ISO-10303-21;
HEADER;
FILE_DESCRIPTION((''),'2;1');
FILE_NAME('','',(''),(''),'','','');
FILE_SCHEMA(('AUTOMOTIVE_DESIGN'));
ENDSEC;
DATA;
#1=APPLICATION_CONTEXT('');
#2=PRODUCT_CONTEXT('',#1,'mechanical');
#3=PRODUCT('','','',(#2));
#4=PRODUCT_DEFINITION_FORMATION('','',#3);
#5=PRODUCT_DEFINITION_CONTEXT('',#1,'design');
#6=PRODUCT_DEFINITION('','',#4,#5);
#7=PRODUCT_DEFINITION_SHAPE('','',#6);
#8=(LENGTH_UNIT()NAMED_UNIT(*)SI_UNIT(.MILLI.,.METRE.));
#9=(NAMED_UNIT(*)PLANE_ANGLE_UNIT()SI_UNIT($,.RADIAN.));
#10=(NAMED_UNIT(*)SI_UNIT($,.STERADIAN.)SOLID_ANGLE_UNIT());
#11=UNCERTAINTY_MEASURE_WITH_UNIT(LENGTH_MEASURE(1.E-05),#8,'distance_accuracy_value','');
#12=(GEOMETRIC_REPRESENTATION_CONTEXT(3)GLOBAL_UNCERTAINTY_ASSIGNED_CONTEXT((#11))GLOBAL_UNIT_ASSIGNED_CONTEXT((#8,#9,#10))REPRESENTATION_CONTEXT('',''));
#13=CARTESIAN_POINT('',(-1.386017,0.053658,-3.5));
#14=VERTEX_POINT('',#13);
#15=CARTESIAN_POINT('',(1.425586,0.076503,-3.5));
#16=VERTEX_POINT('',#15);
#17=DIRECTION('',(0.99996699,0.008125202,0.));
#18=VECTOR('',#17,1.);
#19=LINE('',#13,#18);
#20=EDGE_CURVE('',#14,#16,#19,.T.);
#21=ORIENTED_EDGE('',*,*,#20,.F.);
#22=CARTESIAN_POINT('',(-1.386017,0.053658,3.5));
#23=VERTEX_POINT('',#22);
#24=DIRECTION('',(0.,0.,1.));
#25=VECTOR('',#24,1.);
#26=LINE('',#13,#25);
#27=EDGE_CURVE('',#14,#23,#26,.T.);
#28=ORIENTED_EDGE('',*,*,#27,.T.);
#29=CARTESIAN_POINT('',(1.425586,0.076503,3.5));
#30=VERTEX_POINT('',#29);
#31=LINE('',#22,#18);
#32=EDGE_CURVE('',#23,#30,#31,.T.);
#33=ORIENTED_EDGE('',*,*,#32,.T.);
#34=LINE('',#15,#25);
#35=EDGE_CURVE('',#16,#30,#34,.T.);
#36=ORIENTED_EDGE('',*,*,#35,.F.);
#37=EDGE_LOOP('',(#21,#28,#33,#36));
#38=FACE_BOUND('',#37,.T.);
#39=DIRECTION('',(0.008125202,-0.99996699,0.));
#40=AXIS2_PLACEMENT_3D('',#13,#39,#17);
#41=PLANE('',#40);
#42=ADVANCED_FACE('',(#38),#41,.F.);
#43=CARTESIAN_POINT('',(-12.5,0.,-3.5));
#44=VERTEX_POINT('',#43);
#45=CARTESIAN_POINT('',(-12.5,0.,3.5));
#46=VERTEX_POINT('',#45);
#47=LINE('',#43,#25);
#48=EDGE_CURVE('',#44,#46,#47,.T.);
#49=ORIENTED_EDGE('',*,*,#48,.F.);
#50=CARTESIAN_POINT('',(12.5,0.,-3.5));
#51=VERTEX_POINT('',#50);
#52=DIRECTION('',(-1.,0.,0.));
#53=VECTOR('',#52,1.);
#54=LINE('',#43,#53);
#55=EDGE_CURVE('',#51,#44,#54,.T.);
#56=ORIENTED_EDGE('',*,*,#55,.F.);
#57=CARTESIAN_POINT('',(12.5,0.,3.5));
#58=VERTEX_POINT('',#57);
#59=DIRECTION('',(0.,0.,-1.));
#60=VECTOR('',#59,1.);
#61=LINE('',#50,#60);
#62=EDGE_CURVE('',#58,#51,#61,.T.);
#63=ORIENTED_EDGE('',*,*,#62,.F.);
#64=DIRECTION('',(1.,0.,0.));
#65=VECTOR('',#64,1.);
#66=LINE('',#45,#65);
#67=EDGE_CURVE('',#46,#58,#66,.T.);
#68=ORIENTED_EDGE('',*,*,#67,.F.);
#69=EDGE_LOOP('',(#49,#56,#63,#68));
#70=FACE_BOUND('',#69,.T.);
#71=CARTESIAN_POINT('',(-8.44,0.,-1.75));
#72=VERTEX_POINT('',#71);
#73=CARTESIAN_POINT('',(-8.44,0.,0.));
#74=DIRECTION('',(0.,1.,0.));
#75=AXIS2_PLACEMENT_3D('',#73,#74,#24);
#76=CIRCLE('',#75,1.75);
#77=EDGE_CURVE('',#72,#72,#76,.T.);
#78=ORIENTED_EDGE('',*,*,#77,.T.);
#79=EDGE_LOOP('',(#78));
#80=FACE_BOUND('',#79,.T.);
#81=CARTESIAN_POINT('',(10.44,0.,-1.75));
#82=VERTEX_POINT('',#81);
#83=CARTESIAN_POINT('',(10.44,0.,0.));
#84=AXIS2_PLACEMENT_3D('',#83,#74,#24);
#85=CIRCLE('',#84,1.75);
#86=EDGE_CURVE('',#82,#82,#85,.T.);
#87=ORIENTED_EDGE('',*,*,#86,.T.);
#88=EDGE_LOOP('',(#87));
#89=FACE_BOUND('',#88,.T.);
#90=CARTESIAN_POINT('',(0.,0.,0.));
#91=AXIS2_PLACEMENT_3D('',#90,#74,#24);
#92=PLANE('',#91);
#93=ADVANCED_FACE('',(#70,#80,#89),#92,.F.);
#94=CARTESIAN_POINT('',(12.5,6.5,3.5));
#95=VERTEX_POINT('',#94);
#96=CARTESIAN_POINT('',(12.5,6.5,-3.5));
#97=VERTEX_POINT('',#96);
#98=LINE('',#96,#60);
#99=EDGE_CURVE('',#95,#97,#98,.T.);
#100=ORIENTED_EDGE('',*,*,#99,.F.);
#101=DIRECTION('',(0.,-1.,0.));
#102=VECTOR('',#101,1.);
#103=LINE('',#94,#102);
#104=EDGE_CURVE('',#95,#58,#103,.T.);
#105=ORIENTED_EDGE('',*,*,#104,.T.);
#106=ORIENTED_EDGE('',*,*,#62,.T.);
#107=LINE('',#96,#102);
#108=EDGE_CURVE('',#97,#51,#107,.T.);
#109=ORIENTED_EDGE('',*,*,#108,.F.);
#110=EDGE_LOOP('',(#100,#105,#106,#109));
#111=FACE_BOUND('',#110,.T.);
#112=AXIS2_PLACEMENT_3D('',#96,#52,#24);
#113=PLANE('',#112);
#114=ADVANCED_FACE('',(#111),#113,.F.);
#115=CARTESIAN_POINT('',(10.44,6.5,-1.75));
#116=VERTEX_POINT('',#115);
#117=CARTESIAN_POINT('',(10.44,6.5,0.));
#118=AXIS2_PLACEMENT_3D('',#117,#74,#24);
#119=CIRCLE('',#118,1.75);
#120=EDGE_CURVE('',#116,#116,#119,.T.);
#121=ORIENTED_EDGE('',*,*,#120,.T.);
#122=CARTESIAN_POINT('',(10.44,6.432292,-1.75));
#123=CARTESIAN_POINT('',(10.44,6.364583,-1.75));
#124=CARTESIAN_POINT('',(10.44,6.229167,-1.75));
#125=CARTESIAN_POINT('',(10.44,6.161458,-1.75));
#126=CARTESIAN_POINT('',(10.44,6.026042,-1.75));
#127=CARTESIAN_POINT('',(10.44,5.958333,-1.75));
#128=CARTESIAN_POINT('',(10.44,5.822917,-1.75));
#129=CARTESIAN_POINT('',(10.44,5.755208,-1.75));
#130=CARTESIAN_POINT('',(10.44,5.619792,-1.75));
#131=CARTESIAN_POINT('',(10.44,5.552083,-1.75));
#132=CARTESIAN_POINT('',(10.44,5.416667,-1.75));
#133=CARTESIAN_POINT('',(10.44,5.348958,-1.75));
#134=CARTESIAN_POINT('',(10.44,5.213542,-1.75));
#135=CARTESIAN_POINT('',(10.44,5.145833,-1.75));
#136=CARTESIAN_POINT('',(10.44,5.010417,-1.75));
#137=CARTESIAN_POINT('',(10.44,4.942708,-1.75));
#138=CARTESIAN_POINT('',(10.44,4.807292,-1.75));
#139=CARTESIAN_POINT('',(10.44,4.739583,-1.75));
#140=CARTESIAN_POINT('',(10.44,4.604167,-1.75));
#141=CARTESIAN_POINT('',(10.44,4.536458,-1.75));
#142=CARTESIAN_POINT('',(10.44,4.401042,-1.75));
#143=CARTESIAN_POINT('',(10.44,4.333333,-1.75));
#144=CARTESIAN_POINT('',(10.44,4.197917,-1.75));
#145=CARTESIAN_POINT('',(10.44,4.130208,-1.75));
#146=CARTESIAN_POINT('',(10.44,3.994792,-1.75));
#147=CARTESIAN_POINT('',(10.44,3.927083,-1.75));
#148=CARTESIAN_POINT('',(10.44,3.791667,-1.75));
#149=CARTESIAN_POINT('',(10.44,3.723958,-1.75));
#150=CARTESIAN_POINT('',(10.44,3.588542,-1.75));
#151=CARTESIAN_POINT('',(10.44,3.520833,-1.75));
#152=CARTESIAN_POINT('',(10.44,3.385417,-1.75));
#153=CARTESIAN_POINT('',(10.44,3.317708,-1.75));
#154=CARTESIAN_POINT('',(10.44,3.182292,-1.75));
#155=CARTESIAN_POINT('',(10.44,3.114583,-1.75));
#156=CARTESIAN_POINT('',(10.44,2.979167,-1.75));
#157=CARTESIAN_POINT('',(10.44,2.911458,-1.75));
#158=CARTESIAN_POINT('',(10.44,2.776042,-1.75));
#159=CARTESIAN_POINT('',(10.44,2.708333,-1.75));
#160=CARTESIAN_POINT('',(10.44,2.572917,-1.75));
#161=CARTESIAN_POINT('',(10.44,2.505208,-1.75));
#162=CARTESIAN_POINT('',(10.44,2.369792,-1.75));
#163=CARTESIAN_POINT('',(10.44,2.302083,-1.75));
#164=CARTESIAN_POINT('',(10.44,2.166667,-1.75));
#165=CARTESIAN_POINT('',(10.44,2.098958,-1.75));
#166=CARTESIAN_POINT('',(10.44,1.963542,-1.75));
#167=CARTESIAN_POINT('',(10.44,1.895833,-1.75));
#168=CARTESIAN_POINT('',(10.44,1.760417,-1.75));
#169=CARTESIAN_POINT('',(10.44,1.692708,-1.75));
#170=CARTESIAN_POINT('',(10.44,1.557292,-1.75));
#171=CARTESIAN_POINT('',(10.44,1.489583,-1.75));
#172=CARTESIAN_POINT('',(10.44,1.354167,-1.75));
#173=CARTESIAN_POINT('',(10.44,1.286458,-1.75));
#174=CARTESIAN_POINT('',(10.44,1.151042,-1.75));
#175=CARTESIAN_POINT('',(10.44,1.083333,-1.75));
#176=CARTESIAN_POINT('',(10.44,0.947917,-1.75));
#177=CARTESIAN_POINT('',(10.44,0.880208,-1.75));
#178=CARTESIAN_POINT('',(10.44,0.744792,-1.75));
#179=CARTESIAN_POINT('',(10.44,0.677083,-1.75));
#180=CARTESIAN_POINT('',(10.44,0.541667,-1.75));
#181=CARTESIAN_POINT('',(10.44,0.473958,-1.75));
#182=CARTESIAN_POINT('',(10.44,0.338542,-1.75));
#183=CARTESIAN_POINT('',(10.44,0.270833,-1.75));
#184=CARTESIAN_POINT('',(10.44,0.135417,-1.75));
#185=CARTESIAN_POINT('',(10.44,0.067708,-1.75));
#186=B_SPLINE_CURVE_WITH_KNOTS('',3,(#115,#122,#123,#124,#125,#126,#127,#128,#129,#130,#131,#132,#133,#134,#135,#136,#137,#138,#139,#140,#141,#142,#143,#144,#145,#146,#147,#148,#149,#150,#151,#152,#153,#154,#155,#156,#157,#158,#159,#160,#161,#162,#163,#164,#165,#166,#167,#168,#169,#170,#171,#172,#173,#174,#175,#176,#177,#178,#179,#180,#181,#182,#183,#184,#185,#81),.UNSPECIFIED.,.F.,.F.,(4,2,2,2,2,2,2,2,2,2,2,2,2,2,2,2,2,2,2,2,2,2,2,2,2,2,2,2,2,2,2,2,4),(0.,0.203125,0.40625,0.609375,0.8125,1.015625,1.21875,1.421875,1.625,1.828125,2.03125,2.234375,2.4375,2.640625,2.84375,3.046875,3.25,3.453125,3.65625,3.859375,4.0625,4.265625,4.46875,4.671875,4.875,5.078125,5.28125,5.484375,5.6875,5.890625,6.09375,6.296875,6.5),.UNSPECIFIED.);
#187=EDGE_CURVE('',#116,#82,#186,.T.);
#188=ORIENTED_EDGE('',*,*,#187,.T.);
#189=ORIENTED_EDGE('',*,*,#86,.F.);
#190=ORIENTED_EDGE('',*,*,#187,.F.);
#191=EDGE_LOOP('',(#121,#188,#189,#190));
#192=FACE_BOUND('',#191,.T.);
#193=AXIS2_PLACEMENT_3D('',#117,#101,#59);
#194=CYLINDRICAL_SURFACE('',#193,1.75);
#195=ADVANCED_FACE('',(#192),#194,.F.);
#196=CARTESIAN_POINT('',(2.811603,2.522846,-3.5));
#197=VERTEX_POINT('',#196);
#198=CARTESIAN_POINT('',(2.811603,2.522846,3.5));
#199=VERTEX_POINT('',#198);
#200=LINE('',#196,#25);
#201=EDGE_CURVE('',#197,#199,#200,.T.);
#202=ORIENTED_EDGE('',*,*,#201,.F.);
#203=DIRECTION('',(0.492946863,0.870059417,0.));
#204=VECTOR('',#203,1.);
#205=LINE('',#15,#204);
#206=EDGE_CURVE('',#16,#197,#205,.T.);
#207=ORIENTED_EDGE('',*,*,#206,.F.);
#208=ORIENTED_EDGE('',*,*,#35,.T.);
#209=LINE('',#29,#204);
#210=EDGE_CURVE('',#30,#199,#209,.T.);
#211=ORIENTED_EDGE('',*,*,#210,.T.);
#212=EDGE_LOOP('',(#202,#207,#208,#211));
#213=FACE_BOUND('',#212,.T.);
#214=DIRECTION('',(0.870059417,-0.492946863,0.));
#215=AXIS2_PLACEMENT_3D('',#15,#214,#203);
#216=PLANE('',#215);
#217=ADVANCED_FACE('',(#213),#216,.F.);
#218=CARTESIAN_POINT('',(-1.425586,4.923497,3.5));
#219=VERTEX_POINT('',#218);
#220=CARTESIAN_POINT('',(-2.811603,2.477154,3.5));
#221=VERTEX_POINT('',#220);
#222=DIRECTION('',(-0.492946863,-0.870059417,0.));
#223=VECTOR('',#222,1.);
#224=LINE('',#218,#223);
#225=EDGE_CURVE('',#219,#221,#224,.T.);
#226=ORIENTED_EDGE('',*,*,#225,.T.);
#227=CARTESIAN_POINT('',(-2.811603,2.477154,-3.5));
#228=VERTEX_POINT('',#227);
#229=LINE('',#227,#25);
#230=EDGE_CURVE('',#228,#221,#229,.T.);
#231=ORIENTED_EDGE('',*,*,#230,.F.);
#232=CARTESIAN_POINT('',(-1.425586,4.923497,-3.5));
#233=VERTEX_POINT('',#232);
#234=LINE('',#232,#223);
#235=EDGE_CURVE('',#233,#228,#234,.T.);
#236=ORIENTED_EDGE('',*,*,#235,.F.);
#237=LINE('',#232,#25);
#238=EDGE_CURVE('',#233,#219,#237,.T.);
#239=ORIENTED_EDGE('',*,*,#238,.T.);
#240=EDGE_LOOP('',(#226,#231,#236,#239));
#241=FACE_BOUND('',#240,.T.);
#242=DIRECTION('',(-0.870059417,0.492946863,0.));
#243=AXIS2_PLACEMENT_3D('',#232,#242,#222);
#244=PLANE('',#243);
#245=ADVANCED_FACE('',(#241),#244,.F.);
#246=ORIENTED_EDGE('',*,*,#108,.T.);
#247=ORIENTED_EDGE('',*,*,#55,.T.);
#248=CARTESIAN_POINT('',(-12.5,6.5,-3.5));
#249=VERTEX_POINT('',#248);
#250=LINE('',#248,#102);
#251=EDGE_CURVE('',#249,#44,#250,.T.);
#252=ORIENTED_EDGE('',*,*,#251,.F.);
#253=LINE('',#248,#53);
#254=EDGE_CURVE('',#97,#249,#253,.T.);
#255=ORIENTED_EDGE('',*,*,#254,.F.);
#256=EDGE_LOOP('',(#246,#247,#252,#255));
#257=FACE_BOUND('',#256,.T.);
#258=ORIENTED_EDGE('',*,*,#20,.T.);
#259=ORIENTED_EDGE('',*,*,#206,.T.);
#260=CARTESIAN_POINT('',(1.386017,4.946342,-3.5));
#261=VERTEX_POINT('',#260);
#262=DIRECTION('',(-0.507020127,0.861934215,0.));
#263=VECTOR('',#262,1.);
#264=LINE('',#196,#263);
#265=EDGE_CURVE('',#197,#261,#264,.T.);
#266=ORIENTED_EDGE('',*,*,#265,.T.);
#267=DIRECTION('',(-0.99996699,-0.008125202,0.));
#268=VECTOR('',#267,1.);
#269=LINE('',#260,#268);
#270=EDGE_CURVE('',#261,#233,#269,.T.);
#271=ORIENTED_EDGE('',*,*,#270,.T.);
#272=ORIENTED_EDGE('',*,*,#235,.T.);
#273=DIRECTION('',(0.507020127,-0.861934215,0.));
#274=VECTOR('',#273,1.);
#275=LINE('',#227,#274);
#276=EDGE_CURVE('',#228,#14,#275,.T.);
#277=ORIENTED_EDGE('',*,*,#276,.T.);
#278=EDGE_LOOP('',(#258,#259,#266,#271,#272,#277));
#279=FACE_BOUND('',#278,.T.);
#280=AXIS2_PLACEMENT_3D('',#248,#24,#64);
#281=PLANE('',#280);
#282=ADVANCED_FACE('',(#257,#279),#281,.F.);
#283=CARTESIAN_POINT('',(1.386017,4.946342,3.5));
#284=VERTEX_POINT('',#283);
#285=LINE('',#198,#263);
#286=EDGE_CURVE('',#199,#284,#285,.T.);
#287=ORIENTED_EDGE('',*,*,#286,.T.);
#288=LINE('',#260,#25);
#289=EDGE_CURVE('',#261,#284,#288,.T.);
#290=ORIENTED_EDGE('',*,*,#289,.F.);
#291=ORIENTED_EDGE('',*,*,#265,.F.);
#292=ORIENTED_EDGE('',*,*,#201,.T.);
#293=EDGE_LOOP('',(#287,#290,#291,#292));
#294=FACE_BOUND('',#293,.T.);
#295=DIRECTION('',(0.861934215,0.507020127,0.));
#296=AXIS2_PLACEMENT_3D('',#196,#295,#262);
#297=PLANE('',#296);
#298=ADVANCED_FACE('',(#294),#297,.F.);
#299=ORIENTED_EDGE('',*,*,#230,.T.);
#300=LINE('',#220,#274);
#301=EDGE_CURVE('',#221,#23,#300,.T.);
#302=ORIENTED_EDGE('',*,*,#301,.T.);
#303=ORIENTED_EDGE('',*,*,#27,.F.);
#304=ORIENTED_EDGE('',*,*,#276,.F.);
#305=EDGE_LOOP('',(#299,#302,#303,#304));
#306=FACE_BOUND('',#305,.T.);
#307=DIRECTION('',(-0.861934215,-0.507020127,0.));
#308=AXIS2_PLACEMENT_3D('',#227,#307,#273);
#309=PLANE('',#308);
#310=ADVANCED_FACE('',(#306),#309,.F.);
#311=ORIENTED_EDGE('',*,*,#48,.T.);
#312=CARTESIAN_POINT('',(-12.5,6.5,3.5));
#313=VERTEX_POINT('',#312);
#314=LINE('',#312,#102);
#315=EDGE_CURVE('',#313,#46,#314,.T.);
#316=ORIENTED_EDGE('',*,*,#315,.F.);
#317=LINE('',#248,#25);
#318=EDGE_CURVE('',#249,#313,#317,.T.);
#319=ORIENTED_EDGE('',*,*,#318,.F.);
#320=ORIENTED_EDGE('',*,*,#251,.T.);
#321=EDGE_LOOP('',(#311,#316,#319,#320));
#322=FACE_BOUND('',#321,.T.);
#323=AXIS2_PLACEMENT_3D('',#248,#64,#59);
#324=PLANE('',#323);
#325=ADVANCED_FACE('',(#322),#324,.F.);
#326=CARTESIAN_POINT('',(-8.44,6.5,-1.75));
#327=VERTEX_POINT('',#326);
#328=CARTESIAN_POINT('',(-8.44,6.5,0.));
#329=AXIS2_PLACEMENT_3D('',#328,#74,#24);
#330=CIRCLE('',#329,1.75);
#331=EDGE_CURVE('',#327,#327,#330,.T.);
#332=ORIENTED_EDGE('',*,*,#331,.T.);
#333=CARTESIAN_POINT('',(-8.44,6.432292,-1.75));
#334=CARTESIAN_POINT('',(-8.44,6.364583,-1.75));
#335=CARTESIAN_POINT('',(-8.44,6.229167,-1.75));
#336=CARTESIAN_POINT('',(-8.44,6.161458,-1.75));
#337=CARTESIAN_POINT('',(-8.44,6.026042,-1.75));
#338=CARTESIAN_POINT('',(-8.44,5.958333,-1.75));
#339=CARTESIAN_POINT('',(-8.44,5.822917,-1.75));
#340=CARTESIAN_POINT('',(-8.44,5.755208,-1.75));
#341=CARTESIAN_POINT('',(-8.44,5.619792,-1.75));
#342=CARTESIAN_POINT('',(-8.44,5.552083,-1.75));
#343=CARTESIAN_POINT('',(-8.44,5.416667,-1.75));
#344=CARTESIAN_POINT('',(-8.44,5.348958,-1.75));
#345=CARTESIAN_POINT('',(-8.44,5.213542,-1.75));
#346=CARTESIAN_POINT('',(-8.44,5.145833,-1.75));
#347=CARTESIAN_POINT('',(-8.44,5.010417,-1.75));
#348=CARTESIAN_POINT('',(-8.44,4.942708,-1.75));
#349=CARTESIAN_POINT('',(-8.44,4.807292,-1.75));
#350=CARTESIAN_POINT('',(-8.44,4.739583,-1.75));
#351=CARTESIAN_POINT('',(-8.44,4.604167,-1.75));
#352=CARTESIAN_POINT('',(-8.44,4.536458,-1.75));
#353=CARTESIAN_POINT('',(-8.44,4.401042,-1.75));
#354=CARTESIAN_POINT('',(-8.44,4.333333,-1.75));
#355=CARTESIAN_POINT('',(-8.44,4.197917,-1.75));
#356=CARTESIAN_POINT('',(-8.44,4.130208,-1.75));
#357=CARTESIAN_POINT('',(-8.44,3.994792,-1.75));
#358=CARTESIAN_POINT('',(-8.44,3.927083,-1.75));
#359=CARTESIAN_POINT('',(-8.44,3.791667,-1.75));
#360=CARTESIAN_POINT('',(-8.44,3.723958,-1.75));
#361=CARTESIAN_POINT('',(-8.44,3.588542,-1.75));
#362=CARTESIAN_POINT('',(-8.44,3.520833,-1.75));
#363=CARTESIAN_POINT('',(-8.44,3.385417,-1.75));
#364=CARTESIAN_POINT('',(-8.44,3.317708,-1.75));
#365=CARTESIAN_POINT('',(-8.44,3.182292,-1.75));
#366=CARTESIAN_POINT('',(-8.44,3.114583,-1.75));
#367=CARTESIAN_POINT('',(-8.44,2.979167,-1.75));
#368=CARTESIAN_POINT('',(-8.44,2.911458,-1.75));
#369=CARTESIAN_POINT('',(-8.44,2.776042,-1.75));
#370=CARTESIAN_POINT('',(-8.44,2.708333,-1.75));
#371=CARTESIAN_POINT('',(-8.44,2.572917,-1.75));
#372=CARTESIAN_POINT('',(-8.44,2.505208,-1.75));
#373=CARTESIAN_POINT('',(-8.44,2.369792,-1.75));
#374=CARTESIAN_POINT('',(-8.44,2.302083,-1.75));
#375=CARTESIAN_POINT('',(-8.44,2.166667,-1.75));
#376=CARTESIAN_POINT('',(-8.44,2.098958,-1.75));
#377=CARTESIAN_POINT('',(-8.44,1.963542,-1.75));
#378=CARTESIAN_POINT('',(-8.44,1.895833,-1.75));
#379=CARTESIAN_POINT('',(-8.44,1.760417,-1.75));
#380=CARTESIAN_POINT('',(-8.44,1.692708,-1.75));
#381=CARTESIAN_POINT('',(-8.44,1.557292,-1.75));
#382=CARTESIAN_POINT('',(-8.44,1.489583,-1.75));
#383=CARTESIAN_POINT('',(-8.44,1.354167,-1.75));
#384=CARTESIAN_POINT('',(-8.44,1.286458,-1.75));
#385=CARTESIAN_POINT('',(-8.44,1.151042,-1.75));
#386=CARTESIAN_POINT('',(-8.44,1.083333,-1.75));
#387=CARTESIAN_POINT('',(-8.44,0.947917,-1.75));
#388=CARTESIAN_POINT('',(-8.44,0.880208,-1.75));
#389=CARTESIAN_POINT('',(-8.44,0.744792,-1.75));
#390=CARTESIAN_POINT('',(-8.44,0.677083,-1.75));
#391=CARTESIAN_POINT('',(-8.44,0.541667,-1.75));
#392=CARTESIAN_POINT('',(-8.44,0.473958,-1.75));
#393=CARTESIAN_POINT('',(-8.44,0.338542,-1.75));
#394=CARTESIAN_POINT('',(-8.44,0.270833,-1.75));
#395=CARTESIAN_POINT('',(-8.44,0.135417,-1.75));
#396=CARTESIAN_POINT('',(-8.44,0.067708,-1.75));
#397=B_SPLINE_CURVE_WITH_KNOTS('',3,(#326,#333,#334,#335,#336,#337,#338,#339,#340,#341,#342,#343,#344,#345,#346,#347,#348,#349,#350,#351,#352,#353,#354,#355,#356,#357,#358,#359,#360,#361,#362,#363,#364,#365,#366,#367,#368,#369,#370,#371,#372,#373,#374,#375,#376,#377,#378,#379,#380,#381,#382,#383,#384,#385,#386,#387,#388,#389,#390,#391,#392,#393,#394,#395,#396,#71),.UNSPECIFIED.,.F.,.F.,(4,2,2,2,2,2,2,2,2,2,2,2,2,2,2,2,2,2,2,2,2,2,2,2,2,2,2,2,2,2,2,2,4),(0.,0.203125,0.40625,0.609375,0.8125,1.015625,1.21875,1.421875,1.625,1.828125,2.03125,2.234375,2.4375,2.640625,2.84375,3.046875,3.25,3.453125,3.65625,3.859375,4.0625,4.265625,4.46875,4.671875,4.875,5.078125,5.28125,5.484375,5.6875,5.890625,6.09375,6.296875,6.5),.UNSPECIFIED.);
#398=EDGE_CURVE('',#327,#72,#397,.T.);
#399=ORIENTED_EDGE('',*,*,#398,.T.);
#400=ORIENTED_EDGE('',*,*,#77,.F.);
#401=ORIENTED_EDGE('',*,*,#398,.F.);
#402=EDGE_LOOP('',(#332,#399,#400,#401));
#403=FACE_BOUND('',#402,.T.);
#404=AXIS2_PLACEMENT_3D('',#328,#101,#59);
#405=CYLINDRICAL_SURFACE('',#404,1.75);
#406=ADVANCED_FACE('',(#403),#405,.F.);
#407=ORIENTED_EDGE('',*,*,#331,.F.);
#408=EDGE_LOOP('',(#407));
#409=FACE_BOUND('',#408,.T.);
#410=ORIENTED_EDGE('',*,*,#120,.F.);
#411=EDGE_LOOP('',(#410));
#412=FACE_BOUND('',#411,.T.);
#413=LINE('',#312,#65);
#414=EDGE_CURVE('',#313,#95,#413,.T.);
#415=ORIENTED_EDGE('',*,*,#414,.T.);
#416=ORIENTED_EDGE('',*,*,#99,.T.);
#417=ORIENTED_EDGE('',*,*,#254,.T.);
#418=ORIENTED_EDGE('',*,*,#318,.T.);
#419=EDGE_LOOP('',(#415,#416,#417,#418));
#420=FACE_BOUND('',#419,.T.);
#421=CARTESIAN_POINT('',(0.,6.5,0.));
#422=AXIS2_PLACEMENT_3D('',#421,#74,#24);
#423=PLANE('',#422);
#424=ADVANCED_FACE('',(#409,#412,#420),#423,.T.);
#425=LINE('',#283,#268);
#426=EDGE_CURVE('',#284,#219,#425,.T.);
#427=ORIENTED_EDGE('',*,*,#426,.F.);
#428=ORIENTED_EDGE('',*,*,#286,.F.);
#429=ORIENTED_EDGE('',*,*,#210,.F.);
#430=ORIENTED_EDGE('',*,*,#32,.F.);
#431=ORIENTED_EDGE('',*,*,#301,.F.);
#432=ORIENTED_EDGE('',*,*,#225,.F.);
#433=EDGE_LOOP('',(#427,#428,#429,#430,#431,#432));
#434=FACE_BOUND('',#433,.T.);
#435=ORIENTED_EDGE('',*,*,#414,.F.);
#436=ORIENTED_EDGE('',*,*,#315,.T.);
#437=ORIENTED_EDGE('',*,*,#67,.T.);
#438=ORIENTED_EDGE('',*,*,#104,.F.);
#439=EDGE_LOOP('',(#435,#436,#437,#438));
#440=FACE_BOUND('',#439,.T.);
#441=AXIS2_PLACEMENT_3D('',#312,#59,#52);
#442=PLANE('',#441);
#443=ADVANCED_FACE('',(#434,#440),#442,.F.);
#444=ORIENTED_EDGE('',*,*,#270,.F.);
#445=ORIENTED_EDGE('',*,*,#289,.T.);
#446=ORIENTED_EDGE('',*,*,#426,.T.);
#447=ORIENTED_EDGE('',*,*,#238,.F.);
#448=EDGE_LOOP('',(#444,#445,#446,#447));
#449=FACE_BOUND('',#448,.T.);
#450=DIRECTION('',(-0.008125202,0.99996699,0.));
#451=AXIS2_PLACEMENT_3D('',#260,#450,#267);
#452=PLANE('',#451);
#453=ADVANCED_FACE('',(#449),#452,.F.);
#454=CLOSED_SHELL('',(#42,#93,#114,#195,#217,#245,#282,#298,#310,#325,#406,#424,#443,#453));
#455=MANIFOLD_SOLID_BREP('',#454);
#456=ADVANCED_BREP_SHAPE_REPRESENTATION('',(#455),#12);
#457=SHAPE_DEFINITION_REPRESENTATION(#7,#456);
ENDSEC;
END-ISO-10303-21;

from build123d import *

# Parameters (mm, degrees)
SKETCH1_W               = 25
SKETCH1_H               = 7
SKETCH1_R               = 1.75
BOSS_EXTRUDE1_DEPTH     = 6.5
CUT_EXTRUDE1_DEPTH      = 15.517231141
CUT_EXTRUDE1_DEPTH_BACK = 15.517231141


with BuildPart() as part:
    # Sketch1 → Boss-Extrude1 (new body)
    with BuildSketch(Plane(origin=(0, 0, 0), x_dir=(1, 0, 0), z_dir=(0, 1, 0))):
        Rectangle(SKETCH1_W, SKETCH1_H)
        with Locations(Location((10.44, 0, 0), (0, 0, 90))):
            Circle(SKETCH1_R, mode=Mode.SUBTRACT)
        with Locations(Location((-8.44, 0, 0), (0, 0, 90))):
            Circle(SKETCH1_R, mode=Mode.SUBTRACT)
    extrude(amount=BOSS_EXTRUDE1_DEPTH)

    # Sketch3 → Cut-Extrude1 (cut, two sides: drawn at the far end of the back side and taken through both)
    with BuildSketch(Plane.XY.offset(-CUT_EXTRUDE1_DEPTH_BACK)):
        Polygon((1.425586366, 0.076503178), (2.811602997, 2.522845597), (1.386016631, 4.946342419), (-1.425586366, 4.923496822), (-2.811602997, 2.477154403), (-1.386016631, 0.053657581), align=None)
    extrude(amount=CUT_EXTRUDE1_DEPTH + CUT_EXTRUDE1_DEPTH_BACK, mode=Mode.SUBTRACT)


solid = part.part
